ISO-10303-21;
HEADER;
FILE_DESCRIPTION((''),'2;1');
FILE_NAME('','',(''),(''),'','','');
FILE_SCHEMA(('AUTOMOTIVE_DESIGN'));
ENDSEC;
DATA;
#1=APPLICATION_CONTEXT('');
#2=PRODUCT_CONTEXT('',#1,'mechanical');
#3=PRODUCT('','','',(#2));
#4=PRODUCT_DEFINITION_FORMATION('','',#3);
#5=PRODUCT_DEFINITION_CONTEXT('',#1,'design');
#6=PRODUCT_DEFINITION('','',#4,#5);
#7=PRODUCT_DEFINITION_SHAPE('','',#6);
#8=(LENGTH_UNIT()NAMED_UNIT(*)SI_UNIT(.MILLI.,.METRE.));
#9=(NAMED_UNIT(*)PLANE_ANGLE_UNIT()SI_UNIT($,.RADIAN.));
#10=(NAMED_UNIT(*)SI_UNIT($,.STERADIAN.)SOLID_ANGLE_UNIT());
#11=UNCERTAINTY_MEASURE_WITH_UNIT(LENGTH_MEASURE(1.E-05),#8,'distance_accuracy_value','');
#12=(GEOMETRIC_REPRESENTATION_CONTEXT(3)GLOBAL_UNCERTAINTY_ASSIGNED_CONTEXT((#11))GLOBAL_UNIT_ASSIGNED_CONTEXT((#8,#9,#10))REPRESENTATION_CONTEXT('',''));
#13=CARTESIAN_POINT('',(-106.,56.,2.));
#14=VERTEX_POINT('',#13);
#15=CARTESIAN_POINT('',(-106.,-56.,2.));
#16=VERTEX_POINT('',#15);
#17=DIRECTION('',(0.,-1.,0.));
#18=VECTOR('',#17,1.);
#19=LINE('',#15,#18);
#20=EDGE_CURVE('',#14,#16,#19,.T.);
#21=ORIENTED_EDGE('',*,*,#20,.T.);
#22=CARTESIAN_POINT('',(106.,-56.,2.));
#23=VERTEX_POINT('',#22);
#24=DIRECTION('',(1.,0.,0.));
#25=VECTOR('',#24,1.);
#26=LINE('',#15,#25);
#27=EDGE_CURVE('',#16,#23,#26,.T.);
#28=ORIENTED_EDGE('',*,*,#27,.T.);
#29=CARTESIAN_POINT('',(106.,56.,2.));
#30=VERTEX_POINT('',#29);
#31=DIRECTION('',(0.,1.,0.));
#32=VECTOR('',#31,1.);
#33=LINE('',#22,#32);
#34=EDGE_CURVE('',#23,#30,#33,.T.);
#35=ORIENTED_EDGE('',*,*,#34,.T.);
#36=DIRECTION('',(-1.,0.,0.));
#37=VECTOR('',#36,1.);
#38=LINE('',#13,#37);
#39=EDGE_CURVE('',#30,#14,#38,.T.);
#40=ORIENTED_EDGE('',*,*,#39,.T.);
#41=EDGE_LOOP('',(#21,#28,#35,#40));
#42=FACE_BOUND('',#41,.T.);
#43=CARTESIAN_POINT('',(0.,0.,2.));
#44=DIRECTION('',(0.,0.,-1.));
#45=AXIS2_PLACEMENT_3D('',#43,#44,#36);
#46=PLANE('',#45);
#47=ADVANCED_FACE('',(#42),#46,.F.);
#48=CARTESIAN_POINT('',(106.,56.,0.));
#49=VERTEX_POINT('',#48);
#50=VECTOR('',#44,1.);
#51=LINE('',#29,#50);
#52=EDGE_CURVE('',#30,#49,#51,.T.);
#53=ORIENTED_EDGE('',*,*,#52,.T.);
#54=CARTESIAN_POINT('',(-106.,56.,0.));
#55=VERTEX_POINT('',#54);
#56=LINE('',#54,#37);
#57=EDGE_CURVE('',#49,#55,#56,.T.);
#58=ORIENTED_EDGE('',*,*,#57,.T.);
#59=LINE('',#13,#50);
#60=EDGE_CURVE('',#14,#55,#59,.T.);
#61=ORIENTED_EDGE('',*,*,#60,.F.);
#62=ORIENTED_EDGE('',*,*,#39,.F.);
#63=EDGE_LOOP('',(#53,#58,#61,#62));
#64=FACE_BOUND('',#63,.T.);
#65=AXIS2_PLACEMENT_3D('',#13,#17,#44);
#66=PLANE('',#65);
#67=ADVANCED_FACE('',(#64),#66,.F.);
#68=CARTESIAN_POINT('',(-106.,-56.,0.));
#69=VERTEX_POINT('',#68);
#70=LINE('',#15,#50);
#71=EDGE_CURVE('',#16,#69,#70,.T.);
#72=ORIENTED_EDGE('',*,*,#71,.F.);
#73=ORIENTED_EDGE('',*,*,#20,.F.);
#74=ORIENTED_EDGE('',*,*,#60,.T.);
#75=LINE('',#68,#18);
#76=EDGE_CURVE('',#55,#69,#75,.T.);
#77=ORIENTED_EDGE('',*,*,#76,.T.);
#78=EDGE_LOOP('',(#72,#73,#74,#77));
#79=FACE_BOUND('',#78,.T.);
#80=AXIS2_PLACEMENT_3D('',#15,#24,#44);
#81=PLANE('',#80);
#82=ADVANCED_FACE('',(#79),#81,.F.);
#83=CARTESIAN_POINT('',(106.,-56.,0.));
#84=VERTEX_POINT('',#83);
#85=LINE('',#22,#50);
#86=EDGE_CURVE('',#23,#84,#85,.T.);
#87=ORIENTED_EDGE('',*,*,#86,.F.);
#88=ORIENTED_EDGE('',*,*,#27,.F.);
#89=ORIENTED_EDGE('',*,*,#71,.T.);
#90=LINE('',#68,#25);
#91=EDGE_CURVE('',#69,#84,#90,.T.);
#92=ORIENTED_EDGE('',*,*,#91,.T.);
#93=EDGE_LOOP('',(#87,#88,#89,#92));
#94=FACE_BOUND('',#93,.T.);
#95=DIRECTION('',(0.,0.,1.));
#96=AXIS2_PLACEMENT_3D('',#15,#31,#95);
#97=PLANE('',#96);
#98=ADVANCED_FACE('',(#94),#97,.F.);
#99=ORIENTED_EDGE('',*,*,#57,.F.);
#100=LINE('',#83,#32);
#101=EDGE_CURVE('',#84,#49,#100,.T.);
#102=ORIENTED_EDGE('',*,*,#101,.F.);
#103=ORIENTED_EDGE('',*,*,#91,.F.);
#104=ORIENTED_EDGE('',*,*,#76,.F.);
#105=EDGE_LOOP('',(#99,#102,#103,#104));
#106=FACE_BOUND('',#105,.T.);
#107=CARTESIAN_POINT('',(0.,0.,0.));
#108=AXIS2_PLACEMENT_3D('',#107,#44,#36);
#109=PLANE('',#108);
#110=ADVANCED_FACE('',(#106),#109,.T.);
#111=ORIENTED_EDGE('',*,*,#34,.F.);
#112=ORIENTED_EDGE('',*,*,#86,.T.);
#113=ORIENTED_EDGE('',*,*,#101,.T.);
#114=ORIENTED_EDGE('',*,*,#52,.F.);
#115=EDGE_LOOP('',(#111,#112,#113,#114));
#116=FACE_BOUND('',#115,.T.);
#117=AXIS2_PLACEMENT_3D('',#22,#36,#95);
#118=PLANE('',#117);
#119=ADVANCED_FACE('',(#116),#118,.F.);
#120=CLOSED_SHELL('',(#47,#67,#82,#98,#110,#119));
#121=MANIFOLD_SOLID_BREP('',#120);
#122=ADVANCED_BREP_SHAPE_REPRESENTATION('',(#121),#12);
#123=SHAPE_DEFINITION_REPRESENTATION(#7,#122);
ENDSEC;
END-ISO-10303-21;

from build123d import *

# Parameters (mm, degrees)
SKETCH1_W           = 212
SKETCH1_H           = 112
BOSS_EXTRUDE1_DEPTH = 2


with BuildPart() as part:
    # Sketch1 → Boss-Extrude1 (new body)
    with BuildSketch(Plane.XY):
        Rectangle(SKETCH1_W, SKETCH1_H)
    extrude(amount=BOSS_EXTRUDE1_DEPTH)


solid = part.part
